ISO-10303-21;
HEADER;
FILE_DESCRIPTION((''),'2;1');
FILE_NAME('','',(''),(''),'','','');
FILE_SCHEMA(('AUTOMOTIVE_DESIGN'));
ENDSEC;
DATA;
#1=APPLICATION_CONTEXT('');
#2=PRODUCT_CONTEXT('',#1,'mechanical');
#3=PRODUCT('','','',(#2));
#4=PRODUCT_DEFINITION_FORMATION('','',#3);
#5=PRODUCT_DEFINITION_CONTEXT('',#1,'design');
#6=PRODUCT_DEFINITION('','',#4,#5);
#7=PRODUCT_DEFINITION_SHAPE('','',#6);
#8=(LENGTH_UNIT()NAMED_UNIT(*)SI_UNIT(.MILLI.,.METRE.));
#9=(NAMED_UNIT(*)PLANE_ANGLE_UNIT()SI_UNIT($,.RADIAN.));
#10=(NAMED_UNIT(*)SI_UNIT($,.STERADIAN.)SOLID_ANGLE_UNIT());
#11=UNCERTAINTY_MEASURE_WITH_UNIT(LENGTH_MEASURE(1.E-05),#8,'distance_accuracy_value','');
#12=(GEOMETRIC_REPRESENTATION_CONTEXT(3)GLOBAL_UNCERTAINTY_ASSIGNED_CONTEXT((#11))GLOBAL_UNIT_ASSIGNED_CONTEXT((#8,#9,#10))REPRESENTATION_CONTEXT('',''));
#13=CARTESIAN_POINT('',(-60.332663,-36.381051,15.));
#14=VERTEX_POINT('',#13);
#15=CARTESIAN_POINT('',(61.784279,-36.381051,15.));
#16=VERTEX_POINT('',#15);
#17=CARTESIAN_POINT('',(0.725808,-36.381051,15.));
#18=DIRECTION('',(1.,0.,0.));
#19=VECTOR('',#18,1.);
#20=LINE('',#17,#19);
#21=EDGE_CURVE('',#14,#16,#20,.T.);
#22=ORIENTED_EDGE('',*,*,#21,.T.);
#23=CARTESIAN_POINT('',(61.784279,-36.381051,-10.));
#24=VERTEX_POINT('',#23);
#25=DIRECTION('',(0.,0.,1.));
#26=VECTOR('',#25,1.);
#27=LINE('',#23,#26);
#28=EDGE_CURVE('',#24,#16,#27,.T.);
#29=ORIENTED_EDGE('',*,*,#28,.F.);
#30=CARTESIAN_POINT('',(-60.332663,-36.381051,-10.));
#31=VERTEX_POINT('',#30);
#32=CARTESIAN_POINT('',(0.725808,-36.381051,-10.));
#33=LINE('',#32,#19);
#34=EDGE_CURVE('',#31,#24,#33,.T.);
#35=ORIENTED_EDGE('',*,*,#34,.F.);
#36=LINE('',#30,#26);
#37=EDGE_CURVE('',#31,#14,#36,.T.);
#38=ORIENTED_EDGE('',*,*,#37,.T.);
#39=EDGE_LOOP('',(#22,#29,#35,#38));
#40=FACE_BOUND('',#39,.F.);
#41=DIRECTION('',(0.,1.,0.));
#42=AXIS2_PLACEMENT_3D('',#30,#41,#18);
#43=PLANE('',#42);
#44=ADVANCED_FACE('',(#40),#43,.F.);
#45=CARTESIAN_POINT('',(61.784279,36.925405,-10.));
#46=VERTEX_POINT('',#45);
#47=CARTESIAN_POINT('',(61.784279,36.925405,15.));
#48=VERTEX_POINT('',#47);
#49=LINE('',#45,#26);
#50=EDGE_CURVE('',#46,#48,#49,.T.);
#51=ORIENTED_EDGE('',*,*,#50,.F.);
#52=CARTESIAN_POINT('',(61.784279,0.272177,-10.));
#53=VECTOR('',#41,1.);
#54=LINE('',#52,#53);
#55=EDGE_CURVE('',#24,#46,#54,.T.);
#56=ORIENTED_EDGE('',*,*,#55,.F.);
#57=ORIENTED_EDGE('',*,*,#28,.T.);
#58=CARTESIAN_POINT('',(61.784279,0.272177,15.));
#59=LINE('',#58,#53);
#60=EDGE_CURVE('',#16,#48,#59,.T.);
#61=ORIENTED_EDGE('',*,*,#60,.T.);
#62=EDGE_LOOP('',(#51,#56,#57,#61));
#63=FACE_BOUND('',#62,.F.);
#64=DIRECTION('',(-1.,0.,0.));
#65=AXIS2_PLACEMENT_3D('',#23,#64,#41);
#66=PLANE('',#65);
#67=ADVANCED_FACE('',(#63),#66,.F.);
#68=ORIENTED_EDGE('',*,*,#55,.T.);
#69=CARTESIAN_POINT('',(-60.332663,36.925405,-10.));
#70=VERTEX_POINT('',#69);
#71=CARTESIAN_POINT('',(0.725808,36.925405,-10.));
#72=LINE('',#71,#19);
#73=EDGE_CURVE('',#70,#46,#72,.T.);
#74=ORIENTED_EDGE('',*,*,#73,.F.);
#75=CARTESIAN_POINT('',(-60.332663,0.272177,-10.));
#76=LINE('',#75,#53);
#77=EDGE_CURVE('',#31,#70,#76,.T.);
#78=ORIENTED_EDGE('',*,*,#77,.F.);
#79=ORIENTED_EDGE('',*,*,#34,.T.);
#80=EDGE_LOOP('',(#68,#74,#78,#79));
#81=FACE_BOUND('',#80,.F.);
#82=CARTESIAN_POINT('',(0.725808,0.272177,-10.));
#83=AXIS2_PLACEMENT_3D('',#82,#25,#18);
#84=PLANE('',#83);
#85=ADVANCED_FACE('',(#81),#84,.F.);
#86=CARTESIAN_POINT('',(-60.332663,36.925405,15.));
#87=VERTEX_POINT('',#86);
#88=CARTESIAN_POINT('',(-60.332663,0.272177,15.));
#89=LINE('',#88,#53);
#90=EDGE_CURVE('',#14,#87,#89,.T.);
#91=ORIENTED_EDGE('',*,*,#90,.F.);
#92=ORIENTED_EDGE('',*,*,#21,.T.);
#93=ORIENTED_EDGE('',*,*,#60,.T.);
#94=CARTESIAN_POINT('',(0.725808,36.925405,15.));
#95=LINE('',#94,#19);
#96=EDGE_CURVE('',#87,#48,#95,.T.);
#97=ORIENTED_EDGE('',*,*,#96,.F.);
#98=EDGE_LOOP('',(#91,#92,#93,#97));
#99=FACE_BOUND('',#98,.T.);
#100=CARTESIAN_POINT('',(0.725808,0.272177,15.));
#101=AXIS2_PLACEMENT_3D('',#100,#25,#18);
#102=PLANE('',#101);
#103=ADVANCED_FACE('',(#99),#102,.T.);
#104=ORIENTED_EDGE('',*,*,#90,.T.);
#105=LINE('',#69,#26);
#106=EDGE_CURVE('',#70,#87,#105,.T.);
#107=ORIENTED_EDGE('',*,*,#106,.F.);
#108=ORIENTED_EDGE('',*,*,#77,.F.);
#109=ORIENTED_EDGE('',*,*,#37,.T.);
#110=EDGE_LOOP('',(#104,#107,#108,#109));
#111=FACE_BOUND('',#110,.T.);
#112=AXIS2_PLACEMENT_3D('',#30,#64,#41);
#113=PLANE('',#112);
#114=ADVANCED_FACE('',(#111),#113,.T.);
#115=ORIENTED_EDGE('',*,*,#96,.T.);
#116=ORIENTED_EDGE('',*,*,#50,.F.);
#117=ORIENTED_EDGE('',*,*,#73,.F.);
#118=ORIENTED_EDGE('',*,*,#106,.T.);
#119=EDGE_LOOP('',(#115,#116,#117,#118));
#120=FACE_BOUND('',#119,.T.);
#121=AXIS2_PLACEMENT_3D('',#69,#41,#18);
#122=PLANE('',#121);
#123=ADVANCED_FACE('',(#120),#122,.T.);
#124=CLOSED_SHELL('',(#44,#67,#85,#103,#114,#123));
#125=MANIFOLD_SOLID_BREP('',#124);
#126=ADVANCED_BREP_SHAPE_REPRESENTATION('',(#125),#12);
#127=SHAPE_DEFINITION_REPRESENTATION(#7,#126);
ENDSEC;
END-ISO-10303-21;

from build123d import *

# Parameters (mm, degrees)
F0_W     = 122.116942
F0_H     = 73.306456
F1_DEPTH = 25


with BuildPart() as f1:
    # F0 (on Top) → F1 (new body)
    with BuildSketch(Plane.XY):
        with Locations((0.725808, 0.272177)):
            Rectangle(F0_W, F0_H)
    extrude(amount=F1_DEPTH)


with BuildPart() as f1_1:
    # F2: moved
    add(f1.part.moved(Location((0, 0, -10))))


solid = f1_1.part
